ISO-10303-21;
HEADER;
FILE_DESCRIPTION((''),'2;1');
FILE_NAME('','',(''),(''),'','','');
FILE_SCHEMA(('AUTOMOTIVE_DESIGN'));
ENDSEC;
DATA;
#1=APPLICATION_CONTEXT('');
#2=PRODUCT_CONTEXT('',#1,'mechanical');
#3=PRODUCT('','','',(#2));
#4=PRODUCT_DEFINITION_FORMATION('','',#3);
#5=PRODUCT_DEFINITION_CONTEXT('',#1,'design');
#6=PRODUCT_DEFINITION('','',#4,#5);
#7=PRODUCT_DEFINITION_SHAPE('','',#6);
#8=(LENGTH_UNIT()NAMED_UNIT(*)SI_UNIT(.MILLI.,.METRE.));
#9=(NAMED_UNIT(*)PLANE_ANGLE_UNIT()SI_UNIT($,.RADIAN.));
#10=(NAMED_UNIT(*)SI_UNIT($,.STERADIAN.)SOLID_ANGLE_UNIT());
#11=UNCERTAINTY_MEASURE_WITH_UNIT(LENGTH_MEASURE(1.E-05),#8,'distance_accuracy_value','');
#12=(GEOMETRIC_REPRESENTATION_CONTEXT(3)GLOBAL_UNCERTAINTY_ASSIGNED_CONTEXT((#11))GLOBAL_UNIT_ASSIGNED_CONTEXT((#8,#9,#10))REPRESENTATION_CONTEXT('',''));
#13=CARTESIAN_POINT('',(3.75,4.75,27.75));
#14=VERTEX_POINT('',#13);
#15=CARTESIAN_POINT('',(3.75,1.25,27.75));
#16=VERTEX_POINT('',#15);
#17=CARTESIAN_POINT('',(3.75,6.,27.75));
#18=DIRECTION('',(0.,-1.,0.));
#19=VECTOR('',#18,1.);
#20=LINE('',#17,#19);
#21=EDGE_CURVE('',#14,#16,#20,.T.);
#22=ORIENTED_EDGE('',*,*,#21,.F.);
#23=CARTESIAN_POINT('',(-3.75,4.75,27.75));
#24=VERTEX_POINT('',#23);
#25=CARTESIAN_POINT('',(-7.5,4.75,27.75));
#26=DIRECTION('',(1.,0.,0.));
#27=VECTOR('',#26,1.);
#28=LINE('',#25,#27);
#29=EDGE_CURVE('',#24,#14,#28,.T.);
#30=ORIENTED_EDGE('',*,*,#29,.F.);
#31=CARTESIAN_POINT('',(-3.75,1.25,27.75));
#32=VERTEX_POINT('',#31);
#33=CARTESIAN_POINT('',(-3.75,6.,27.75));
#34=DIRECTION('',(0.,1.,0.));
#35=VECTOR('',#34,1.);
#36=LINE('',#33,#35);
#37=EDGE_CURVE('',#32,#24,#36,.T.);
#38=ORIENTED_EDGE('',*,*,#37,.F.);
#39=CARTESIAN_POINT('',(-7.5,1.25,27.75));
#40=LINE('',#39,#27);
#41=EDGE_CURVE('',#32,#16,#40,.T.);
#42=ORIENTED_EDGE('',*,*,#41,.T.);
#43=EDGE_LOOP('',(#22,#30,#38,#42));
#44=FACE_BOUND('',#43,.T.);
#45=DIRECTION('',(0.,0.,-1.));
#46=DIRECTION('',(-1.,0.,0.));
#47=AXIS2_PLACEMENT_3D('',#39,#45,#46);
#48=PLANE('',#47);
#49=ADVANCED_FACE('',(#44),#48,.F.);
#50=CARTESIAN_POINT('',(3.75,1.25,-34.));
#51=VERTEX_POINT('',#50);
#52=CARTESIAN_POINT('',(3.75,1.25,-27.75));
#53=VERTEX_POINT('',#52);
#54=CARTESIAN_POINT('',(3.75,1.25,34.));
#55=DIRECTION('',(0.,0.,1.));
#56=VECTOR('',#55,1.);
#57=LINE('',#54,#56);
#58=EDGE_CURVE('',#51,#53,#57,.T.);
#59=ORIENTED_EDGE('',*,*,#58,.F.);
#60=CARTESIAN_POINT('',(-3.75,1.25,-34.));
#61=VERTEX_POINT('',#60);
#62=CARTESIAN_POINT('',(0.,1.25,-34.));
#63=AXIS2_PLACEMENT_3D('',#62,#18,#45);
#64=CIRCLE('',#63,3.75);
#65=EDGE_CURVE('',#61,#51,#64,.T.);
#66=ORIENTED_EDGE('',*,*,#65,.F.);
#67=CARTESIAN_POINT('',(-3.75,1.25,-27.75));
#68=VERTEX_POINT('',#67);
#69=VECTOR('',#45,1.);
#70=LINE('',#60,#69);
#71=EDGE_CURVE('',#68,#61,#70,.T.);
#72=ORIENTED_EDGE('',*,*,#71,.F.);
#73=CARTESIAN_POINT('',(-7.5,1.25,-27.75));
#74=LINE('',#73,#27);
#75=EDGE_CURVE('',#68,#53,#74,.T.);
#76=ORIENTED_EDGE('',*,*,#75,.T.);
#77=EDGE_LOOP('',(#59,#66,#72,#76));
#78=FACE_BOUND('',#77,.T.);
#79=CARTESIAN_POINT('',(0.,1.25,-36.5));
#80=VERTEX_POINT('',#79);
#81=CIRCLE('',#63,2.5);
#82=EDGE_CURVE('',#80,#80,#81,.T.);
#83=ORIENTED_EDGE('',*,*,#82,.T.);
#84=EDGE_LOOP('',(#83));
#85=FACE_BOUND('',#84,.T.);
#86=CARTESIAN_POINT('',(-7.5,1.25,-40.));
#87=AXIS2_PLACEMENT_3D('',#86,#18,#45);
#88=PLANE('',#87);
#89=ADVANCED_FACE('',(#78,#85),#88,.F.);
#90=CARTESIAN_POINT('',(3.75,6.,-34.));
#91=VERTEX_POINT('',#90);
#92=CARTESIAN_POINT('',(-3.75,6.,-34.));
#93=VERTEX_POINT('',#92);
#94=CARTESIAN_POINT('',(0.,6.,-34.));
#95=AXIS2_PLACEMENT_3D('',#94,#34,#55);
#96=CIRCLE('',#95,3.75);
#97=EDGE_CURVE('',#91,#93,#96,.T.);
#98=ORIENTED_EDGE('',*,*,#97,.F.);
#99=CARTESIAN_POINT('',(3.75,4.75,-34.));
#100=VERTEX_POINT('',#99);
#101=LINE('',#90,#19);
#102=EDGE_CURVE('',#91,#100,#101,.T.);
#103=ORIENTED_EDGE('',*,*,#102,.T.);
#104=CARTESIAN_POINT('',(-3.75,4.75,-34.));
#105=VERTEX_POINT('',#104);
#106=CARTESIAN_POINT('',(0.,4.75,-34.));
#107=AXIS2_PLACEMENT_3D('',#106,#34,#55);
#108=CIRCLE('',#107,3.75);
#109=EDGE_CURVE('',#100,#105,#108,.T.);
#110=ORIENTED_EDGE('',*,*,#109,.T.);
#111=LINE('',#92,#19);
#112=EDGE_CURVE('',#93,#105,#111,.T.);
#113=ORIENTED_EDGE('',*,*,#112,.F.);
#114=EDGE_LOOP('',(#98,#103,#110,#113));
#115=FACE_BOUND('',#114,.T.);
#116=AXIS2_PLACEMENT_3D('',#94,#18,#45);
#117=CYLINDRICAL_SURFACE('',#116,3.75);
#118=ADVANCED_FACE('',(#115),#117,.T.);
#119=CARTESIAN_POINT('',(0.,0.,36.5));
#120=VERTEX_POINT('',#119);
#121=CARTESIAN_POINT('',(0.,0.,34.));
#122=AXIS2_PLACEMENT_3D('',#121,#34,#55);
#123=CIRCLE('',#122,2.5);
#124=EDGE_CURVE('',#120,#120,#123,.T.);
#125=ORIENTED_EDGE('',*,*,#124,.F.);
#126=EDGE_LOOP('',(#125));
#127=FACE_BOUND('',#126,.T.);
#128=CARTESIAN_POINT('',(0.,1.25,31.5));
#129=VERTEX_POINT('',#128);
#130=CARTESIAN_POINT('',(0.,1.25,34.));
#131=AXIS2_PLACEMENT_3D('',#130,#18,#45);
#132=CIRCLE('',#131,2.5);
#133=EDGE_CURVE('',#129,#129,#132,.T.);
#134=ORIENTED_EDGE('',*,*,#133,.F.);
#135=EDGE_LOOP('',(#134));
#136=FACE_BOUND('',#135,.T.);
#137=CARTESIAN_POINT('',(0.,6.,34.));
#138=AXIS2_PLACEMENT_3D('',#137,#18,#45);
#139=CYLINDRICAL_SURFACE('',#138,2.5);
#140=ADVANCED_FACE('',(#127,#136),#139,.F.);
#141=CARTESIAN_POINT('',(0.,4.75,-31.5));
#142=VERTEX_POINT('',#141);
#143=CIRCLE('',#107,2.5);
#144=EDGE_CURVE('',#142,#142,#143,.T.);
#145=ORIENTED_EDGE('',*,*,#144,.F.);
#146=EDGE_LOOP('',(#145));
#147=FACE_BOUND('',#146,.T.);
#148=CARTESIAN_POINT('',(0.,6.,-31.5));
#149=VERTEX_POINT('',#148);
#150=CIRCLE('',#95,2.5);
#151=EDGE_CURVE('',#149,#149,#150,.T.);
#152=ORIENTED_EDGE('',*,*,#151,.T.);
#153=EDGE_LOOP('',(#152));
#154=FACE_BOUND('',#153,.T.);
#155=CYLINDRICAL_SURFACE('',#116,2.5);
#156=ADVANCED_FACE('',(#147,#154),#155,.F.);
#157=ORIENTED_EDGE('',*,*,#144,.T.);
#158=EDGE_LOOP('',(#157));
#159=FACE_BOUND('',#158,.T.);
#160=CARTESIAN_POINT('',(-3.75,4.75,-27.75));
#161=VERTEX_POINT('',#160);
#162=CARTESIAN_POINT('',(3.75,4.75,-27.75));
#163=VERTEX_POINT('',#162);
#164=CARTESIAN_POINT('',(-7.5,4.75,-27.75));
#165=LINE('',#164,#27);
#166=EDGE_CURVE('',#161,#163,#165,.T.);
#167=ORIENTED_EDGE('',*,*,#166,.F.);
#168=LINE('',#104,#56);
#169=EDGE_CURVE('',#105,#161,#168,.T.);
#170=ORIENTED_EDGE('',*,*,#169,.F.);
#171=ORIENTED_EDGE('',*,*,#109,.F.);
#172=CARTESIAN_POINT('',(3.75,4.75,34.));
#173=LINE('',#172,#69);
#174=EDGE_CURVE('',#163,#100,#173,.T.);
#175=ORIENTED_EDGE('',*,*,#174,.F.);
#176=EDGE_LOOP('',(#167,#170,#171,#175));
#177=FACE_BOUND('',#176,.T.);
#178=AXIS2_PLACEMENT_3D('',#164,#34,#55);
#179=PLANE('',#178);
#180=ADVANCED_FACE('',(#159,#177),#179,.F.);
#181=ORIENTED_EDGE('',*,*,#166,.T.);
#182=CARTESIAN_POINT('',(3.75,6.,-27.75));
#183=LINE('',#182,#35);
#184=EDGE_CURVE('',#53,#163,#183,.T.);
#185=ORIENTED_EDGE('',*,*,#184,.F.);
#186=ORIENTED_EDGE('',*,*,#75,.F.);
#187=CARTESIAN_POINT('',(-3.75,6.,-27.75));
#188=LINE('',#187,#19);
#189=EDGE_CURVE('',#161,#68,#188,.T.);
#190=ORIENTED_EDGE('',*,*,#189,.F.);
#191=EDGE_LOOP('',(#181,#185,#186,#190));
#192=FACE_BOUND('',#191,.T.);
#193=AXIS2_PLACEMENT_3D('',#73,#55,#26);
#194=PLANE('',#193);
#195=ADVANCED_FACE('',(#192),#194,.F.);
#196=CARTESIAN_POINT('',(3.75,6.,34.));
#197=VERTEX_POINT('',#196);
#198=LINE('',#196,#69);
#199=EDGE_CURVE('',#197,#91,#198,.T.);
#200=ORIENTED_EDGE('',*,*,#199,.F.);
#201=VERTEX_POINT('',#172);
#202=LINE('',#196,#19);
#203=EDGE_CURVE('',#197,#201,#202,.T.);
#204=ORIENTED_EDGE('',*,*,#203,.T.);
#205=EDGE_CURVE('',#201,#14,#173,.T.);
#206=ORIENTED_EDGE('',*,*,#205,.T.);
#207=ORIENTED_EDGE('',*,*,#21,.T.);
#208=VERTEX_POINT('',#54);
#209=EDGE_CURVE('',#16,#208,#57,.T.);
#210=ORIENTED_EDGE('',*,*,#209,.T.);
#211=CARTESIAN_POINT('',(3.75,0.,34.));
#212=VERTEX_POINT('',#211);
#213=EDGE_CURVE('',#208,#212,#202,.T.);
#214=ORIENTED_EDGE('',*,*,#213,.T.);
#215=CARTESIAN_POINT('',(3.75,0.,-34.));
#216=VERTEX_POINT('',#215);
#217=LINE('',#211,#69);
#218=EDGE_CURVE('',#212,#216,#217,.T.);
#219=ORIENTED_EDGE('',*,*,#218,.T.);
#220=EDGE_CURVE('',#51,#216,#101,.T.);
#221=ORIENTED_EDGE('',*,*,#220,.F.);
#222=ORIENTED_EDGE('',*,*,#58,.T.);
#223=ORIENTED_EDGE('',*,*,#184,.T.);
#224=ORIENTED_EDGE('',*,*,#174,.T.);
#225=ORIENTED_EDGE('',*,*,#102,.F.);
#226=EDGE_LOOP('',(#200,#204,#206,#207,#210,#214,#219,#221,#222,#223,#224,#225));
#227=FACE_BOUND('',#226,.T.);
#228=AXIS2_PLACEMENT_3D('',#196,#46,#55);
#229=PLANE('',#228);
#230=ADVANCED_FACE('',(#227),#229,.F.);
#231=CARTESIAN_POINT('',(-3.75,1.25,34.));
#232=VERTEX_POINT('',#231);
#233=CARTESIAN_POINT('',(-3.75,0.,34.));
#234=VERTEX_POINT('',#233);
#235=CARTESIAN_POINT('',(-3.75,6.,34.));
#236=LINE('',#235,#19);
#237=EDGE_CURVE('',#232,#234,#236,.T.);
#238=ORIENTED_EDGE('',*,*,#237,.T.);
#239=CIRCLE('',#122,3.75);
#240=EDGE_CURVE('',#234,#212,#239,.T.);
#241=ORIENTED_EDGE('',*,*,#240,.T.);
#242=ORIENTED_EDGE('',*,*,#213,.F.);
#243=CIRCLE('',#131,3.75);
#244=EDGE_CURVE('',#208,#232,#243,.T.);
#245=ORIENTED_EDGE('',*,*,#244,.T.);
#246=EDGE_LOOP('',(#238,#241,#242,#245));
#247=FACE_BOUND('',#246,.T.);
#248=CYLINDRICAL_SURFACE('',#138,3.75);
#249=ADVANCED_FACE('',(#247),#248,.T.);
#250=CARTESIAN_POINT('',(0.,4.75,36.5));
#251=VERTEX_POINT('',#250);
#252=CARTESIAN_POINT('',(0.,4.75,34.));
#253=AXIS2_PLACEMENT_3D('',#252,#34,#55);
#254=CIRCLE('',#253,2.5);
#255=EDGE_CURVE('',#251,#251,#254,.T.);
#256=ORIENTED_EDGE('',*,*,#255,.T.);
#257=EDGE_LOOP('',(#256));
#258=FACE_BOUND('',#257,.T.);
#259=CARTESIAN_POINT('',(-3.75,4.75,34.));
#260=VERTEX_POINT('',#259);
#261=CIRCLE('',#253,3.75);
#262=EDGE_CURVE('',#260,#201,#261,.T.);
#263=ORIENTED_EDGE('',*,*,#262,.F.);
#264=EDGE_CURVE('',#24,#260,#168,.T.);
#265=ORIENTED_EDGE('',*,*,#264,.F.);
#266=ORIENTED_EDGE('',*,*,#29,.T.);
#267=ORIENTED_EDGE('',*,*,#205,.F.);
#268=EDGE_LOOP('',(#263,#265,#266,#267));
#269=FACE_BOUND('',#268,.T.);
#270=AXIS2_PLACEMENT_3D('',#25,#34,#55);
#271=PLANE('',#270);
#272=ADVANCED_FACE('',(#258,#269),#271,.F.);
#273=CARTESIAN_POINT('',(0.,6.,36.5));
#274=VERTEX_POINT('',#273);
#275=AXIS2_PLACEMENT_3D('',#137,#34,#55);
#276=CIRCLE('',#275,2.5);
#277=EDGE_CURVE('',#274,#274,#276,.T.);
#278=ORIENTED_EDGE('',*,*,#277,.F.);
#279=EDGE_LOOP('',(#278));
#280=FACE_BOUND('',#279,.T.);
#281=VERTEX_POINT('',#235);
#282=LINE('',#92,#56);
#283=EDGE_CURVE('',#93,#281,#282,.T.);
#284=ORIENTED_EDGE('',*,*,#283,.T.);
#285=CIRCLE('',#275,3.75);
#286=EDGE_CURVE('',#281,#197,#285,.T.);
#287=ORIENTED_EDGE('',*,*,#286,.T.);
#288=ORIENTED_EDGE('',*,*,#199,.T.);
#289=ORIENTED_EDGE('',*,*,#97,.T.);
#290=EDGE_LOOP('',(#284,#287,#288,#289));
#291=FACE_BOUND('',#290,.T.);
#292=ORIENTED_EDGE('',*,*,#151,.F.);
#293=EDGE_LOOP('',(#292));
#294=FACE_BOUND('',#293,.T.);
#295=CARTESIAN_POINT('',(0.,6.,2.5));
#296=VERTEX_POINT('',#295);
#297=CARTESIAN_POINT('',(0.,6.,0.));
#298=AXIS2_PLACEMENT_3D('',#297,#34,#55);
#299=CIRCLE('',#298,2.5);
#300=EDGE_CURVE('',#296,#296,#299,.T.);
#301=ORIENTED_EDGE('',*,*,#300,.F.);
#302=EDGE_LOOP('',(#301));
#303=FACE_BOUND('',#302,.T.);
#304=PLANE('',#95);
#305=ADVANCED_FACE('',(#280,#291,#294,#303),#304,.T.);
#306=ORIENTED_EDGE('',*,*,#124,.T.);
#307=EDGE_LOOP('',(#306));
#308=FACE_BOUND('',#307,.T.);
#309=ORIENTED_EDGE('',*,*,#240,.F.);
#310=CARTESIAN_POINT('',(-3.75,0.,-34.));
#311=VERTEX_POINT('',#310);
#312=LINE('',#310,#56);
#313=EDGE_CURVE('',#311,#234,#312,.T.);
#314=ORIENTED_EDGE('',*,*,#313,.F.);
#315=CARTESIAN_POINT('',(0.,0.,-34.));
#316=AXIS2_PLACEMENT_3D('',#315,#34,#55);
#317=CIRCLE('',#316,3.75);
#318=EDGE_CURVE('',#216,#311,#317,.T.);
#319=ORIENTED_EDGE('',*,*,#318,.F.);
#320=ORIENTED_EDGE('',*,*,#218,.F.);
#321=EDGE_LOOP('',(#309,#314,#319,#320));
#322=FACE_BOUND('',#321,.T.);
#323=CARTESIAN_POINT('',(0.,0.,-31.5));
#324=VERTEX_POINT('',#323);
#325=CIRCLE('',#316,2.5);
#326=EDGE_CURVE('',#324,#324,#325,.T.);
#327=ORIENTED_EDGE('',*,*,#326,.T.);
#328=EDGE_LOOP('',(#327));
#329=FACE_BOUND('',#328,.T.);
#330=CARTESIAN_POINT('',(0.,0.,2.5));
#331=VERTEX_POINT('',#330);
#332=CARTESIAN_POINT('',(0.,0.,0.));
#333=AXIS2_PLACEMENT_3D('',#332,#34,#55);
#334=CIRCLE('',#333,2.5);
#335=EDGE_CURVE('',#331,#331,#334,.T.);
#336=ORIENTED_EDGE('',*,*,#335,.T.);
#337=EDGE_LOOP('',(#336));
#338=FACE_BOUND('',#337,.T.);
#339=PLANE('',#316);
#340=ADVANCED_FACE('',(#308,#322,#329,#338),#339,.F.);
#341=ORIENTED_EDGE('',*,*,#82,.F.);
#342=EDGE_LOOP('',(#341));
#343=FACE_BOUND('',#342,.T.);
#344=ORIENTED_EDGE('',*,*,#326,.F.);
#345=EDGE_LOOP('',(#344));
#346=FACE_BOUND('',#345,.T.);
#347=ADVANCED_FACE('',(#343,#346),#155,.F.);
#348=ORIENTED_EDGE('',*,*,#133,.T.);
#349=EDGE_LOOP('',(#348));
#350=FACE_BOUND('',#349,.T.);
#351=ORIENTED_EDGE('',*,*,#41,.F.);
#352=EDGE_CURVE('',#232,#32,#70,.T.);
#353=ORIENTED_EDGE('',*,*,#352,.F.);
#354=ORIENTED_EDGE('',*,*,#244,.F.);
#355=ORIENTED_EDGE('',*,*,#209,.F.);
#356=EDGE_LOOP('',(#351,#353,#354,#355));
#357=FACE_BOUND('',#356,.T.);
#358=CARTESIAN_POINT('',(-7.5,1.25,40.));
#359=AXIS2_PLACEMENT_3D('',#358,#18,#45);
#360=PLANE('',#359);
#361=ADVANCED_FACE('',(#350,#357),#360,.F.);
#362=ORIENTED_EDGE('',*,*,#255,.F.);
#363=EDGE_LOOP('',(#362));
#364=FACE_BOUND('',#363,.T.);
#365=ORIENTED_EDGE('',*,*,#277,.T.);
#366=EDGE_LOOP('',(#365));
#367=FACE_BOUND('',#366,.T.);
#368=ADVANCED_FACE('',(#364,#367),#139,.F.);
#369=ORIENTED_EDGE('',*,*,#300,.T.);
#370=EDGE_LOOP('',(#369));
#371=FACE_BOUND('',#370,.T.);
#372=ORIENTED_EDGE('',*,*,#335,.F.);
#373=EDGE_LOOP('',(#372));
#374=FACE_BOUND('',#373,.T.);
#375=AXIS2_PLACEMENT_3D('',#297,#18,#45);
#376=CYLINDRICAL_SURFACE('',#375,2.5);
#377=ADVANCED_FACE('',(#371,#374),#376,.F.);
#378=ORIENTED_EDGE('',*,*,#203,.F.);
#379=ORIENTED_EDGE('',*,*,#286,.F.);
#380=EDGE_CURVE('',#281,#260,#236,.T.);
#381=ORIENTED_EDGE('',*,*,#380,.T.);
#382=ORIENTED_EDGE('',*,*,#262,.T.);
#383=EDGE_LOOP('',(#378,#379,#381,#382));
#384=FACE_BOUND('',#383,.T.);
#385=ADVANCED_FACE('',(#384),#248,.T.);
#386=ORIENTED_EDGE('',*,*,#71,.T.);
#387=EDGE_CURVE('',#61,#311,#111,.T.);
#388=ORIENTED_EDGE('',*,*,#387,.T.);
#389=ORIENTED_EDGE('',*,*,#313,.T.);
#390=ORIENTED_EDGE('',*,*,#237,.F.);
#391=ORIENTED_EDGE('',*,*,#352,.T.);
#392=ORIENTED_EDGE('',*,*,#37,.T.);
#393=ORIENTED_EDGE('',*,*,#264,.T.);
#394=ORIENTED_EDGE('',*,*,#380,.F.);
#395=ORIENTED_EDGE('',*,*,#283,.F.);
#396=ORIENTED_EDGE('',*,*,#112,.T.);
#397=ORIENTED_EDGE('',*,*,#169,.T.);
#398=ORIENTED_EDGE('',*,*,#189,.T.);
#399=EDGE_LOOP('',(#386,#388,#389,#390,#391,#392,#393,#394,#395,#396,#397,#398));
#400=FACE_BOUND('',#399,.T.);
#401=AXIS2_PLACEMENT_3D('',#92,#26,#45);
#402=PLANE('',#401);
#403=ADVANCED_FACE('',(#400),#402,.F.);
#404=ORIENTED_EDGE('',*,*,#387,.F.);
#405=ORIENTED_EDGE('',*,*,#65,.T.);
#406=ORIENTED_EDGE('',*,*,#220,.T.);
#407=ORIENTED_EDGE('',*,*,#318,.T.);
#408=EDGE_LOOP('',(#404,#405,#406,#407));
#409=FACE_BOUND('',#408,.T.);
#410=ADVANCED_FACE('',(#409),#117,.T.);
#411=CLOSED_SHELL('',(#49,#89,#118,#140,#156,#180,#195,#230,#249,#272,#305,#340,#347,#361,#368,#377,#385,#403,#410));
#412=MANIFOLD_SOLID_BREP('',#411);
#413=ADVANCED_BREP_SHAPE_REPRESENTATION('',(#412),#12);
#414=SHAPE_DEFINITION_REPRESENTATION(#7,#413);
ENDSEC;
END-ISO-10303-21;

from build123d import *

# Parameters (mm, degrees)
CROQUIS1_R              = 2.5
SALIENTE_EXTRUIR1_DEPTH = 6
CROQUIS2_W              = 12.25
CROQUIS2_H              = 3.5
CORTAR_EXTRUIR1_DEPTH   = 7.5


with BuildPart() as part:
    # Croquis1 → Saliente-Extruir1 (new body)
    with BuildSketch(Plane(origin=(0, 0, 0), x_dir=(1, 0, 0), z_dir=(0, 1, 0))):
        with BuildLine():
            Line((-3.75, 34), (-3.75, -34))
            ThreePointArc((-3.75, -34), (0, -37.75), (3.75, -34))
            Line((3.75, -34), (3.75, 34))
            ThreePointArc((3.75, 34), (0, 37.75), (-3.75, 34))
        make_face()
        with Locations((0, 34)):
            Circle(CROQUIS1_R, mode=Mode.SUBTRACT)
        with Locations((0, -34)):
            Circle(CROQUIS1_R, mode=Mode.SUBTRACT)
        Circle(CROQUIS1_R, mode=Mode.SUBTRACT)
    extrude(amount=SALIENTE_EXTRUIR1_DEPTH)

    # Croquis2 → Cortar-Extruir1 (cut, symmetric)
    with BuildSketch(Plane(origin=(0, 0, 0), x_dir=(0, 0, -1), z_dir=(1, 0, 0))):
        with Locations((-33.875, 3)):
            Rectangle(CROQUIS2_W, CROQUIS2_H)
        with Locations((33.875, 3)):
            Rectangle(CROQUIS2_W, CROQUIS2_H)
    extrude(amount=CORTAR_EXTRUIR1_DEPTH, both=True, mode=Mode.SUBTRACT)


solid = part.part
